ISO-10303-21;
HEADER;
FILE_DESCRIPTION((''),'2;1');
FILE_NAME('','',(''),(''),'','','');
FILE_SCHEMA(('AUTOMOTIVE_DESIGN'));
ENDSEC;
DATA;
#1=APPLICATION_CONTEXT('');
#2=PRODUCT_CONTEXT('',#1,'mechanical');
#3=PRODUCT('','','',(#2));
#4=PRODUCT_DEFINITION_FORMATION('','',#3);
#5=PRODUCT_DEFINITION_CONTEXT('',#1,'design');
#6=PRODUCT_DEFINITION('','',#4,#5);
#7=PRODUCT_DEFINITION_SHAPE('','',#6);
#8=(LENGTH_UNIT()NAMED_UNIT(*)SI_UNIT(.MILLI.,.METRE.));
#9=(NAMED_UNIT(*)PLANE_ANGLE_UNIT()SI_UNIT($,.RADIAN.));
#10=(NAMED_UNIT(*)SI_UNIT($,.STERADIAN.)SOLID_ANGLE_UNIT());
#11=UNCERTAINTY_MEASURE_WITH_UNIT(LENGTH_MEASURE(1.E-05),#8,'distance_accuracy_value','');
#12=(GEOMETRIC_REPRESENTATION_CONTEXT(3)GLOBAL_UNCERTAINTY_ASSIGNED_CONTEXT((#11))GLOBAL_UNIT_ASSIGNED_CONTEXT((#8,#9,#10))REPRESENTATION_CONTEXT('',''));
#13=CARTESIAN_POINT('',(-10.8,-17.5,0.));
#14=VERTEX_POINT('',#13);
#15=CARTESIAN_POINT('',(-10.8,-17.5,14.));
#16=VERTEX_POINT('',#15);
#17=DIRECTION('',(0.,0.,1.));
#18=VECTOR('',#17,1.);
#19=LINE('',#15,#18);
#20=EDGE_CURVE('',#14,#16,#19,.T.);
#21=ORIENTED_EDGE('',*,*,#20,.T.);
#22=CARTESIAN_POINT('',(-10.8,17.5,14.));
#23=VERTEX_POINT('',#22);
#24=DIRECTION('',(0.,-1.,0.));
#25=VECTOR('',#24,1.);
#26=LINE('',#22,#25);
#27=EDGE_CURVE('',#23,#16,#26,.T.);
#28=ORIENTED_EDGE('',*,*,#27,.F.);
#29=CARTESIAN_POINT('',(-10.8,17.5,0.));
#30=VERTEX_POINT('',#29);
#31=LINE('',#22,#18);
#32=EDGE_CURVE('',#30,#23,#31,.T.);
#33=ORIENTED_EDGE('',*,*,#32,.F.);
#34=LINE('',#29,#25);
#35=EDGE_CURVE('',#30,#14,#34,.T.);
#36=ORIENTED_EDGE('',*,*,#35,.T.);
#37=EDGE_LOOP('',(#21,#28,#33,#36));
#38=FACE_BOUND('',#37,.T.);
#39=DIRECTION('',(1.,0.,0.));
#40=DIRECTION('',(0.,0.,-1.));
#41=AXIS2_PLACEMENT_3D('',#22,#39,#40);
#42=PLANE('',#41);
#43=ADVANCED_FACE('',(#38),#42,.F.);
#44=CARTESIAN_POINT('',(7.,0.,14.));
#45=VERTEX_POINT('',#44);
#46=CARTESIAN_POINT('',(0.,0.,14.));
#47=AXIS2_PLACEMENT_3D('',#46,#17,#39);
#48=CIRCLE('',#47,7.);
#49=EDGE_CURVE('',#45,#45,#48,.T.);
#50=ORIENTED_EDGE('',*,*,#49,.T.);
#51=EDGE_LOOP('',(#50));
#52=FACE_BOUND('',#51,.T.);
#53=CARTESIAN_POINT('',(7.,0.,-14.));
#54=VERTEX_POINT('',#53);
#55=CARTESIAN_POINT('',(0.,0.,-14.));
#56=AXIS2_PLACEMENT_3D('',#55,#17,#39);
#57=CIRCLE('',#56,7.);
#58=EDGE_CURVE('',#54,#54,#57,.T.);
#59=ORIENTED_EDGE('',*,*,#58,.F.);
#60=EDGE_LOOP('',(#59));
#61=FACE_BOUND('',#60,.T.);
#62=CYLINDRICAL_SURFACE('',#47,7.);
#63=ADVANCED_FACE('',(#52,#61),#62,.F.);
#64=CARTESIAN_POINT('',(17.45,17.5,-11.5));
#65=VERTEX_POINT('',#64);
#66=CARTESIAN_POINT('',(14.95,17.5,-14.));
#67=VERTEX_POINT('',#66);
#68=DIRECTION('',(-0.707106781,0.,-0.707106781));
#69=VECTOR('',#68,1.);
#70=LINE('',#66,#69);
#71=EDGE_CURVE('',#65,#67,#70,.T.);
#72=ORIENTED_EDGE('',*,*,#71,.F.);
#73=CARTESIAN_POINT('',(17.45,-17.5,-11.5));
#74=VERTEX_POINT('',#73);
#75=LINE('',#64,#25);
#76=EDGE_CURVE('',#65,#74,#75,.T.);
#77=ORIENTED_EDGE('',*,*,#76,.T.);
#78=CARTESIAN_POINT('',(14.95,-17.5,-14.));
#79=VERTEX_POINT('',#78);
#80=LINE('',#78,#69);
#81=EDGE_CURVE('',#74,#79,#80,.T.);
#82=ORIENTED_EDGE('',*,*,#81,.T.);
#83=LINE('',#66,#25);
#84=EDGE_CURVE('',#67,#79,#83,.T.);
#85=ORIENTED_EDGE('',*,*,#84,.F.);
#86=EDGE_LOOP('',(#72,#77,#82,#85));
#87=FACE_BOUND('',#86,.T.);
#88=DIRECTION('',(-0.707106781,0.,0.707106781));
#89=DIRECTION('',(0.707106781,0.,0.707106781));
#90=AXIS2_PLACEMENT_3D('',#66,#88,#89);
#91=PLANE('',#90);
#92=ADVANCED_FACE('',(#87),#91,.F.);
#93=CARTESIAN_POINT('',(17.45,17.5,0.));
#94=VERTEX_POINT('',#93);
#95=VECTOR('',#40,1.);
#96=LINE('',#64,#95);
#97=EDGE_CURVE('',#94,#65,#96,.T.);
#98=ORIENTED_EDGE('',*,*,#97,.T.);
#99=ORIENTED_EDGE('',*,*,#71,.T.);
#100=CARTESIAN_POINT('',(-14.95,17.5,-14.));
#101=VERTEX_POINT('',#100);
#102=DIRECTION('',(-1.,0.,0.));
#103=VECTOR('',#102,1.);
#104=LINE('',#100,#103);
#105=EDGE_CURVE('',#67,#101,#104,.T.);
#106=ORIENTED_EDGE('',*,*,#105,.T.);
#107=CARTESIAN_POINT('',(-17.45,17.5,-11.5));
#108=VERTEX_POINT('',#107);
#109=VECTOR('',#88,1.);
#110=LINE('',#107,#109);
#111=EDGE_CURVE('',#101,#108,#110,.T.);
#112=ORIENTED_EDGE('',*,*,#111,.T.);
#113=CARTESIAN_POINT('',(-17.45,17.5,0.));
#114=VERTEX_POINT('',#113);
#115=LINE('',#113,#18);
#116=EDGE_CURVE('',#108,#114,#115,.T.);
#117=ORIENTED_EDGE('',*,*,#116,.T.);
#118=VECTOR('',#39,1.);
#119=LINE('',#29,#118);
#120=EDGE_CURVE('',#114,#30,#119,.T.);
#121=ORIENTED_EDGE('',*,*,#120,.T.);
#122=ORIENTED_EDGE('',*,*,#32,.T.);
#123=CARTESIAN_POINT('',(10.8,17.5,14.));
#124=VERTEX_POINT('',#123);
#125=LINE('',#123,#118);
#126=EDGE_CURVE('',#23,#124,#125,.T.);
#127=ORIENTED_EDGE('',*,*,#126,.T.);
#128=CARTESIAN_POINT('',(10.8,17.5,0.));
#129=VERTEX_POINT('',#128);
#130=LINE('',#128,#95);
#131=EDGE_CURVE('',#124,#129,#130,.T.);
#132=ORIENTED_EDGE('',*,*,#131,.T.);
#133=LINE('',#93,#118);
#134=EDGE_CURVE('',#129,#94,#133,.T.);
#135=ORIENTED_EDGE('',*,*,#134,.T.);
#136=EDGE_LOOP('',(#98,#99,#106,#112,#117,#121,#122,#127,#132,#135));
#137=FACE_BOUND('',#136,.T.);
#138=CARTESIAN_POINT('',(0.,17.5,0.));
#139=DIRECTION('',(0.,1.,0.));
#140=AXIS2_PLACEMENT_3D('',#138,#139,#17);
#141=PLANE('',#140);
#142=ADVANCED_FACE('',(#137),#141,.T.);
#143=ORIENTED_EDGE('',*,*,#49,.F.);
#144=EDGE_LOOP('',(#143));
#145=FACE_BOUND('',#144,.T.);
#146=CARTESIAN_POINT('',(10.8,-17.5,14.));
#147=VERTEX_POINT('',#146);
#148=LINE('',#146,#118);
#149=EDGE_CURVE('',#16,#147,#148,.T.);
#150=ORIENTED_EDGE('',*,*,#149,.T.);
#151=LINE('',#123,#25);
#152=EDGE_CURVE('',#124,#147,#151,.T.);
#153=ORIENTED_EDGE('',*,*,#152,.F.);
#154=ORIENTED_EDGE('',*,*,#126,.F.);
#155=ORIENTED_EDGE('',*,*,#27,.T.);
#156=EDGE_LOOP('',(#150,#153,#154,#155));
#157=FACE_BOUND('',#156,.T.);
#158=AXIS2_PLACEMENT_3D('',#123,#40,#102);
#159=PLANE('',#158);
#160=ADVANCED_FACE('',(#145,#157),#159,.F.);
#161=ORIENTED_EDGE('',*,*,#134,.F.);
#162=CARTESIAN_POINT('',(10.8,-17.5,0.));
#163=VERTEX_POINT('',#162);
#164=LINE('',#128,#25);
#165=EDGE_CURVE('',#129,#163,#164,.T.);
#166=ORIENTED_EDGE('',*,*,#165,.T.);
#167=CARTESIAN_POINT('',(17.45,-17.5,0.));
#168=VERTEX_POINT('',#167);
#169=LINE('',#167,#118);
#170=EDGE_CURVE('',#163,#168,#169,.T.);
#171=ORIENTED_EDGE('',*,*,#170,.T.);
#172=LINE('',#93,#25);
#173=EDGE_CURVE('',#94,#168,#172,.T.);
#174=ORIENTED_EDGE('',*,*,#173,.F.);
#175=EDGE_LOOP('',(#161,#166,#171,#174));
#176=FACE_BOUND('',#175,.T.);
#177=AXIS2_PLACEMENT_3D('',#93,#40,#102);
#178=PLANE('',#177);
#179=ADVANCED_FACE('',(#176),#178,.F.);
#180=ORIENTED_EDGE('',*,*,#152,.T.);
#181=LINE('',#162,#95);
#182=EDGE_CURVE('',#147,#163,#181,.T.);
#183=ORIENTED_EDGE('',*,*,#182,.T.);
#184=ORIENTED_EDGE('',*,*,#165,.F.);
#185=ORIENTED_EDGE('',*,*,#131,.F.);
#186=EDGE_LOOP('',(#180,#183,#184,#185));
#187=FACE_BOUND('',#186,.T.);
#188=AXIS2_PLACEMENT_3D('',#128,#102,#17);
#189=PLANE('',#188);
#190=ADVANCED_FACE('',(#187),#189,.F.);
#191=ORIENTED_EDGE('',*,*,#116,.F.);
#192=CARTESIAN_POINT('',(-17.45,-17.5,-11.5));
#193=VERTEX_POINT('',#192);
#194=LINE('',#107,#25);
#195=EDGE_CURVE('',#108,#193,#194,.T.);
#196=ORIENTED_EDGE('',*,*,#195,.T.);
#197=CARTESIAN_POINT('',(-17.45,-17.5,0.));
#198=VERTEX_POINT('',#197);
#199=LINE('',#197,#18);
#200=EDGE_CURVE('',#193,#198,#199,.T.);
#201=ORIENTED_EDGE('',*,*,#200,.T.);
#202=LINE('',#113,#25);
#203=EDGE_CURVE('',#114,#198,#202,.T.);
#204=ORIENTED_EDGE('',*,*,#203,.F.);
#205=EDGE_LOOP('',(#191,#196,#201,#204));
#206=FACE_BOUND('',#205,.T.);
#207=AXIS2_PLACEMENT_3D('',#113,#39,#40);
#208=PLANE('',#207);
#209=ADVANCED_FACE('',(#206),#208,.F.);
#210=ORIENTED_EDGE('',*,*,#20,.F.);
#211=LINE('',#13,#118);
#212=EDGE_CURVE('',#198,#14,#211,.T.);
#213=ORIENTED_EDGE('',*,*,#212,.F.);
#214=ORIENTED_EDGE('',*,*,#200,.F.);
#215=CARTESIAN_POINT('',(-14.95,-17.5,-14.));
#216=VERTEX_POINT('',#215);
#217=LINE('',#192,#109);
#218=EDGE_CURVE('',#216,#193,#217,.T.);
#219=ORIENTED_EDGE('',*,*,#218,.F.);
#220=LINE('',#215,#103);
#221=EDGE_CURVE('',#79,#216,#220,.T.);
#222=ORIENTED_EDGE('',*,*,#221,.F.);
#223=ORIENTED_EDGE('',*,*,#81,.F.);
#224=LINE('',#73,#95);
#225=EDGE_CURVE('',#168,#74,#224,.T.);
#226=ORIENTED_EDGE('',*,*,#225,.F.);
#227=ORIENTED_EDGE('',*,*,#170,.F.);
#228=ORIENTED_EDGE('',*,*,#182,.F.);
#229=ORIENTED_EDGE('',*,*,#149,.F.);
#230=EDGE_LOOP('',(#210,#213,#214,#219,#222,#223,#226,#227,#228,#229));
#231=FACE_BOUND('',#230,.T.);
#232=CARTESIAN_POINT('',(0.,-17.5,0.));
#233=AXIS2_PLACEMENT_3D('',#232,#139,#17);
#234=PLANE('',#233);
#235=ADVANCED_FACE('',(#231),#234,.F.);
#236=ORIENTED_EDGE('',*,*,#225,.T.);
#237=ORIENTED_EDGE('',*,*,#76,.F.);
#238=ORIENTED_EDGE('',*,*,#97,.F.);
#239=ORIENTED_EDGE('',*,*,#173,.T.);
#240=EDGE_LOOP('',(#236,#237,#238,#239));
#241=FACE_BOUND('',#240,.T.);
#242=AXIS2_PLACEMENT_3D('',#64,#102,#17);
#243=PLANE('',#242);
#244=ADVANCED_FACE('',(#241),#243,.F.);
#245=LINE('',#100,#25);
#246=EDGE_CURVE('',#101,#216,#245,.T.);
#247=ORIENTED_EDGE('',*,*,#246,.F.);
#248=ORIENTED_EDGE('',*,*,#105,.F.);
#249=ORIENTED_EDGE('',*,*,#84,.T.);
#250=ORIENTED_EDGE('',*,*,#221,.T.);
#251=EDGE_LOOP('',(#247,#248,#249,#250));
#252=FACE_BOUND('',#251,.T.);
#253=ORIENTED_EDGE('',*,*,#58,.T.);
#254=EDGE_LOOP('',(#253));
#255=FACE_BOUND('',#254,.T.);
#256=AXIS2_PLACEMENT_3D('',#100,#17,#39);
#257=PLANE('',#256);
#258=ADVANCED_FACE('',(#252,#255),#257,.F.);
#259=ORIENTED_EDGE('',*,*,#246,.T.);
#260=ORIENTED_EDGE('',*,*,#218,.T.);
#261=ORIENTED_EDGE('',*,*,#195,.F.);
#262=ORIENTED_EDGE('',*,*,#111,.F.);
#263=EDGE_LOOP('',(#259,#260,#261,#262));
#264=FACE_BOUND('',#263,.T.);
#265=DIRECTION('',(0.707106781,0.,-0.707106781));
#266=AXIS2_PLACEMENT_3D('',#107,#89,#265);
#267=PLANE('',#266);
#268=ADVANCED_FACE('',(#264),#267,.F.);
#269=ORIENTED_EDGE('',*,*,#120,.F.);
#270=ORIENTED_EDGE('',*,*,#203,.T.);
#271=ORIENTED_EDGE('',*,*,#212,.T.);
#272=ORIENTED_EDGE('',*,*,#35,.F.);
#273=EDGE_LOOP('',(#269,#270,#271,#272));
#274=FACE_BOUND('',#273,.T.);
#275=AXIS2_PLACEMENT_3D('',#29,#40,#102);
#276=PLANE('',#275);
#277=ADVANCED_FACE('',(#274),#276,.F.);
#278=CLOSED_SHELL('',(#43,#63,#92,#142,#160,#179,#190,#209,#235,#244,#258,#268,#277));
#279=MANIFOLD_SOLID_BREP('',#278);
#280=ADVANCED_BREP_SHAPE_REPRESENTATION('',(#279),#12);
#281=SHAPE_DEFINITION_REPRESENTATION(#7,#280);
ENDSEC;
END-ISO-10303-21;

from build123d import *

# Parameters (mm, degrees)
BOSS_EXTRUDE1_DEPTH = 17.5
M16_TAPPED_HOLE1_D  = 14


with BuildPart() as part:
    # Sketch1 → Boss-Extrude1 (new, symmetric)
    with BuildSketch(Plane(origin=(0, 0, 0), x_dir=(1, 0, 0), z_dir=(0, 1, 0))):
        Polygon((-10.8, 0), (-17.45, 0), (-17.45, 11.5), (-14.95, 14), (14.95, 14), (17.45, 11.5), (17.45, 0), (10.8, 0), (10.8, -14), (-10.8, -14), align=None)
    extrude(amount=BOSS_EXTRUDE1_DEPTH, both=True)

    # M16 Tapped Hole1 (through all)
    with Locations(Plane.XY.offset(14)):
        with Locations((0, 0)):
            Hole(M16_TAPPED_HOLE1_D / 2)


solid = part.part
